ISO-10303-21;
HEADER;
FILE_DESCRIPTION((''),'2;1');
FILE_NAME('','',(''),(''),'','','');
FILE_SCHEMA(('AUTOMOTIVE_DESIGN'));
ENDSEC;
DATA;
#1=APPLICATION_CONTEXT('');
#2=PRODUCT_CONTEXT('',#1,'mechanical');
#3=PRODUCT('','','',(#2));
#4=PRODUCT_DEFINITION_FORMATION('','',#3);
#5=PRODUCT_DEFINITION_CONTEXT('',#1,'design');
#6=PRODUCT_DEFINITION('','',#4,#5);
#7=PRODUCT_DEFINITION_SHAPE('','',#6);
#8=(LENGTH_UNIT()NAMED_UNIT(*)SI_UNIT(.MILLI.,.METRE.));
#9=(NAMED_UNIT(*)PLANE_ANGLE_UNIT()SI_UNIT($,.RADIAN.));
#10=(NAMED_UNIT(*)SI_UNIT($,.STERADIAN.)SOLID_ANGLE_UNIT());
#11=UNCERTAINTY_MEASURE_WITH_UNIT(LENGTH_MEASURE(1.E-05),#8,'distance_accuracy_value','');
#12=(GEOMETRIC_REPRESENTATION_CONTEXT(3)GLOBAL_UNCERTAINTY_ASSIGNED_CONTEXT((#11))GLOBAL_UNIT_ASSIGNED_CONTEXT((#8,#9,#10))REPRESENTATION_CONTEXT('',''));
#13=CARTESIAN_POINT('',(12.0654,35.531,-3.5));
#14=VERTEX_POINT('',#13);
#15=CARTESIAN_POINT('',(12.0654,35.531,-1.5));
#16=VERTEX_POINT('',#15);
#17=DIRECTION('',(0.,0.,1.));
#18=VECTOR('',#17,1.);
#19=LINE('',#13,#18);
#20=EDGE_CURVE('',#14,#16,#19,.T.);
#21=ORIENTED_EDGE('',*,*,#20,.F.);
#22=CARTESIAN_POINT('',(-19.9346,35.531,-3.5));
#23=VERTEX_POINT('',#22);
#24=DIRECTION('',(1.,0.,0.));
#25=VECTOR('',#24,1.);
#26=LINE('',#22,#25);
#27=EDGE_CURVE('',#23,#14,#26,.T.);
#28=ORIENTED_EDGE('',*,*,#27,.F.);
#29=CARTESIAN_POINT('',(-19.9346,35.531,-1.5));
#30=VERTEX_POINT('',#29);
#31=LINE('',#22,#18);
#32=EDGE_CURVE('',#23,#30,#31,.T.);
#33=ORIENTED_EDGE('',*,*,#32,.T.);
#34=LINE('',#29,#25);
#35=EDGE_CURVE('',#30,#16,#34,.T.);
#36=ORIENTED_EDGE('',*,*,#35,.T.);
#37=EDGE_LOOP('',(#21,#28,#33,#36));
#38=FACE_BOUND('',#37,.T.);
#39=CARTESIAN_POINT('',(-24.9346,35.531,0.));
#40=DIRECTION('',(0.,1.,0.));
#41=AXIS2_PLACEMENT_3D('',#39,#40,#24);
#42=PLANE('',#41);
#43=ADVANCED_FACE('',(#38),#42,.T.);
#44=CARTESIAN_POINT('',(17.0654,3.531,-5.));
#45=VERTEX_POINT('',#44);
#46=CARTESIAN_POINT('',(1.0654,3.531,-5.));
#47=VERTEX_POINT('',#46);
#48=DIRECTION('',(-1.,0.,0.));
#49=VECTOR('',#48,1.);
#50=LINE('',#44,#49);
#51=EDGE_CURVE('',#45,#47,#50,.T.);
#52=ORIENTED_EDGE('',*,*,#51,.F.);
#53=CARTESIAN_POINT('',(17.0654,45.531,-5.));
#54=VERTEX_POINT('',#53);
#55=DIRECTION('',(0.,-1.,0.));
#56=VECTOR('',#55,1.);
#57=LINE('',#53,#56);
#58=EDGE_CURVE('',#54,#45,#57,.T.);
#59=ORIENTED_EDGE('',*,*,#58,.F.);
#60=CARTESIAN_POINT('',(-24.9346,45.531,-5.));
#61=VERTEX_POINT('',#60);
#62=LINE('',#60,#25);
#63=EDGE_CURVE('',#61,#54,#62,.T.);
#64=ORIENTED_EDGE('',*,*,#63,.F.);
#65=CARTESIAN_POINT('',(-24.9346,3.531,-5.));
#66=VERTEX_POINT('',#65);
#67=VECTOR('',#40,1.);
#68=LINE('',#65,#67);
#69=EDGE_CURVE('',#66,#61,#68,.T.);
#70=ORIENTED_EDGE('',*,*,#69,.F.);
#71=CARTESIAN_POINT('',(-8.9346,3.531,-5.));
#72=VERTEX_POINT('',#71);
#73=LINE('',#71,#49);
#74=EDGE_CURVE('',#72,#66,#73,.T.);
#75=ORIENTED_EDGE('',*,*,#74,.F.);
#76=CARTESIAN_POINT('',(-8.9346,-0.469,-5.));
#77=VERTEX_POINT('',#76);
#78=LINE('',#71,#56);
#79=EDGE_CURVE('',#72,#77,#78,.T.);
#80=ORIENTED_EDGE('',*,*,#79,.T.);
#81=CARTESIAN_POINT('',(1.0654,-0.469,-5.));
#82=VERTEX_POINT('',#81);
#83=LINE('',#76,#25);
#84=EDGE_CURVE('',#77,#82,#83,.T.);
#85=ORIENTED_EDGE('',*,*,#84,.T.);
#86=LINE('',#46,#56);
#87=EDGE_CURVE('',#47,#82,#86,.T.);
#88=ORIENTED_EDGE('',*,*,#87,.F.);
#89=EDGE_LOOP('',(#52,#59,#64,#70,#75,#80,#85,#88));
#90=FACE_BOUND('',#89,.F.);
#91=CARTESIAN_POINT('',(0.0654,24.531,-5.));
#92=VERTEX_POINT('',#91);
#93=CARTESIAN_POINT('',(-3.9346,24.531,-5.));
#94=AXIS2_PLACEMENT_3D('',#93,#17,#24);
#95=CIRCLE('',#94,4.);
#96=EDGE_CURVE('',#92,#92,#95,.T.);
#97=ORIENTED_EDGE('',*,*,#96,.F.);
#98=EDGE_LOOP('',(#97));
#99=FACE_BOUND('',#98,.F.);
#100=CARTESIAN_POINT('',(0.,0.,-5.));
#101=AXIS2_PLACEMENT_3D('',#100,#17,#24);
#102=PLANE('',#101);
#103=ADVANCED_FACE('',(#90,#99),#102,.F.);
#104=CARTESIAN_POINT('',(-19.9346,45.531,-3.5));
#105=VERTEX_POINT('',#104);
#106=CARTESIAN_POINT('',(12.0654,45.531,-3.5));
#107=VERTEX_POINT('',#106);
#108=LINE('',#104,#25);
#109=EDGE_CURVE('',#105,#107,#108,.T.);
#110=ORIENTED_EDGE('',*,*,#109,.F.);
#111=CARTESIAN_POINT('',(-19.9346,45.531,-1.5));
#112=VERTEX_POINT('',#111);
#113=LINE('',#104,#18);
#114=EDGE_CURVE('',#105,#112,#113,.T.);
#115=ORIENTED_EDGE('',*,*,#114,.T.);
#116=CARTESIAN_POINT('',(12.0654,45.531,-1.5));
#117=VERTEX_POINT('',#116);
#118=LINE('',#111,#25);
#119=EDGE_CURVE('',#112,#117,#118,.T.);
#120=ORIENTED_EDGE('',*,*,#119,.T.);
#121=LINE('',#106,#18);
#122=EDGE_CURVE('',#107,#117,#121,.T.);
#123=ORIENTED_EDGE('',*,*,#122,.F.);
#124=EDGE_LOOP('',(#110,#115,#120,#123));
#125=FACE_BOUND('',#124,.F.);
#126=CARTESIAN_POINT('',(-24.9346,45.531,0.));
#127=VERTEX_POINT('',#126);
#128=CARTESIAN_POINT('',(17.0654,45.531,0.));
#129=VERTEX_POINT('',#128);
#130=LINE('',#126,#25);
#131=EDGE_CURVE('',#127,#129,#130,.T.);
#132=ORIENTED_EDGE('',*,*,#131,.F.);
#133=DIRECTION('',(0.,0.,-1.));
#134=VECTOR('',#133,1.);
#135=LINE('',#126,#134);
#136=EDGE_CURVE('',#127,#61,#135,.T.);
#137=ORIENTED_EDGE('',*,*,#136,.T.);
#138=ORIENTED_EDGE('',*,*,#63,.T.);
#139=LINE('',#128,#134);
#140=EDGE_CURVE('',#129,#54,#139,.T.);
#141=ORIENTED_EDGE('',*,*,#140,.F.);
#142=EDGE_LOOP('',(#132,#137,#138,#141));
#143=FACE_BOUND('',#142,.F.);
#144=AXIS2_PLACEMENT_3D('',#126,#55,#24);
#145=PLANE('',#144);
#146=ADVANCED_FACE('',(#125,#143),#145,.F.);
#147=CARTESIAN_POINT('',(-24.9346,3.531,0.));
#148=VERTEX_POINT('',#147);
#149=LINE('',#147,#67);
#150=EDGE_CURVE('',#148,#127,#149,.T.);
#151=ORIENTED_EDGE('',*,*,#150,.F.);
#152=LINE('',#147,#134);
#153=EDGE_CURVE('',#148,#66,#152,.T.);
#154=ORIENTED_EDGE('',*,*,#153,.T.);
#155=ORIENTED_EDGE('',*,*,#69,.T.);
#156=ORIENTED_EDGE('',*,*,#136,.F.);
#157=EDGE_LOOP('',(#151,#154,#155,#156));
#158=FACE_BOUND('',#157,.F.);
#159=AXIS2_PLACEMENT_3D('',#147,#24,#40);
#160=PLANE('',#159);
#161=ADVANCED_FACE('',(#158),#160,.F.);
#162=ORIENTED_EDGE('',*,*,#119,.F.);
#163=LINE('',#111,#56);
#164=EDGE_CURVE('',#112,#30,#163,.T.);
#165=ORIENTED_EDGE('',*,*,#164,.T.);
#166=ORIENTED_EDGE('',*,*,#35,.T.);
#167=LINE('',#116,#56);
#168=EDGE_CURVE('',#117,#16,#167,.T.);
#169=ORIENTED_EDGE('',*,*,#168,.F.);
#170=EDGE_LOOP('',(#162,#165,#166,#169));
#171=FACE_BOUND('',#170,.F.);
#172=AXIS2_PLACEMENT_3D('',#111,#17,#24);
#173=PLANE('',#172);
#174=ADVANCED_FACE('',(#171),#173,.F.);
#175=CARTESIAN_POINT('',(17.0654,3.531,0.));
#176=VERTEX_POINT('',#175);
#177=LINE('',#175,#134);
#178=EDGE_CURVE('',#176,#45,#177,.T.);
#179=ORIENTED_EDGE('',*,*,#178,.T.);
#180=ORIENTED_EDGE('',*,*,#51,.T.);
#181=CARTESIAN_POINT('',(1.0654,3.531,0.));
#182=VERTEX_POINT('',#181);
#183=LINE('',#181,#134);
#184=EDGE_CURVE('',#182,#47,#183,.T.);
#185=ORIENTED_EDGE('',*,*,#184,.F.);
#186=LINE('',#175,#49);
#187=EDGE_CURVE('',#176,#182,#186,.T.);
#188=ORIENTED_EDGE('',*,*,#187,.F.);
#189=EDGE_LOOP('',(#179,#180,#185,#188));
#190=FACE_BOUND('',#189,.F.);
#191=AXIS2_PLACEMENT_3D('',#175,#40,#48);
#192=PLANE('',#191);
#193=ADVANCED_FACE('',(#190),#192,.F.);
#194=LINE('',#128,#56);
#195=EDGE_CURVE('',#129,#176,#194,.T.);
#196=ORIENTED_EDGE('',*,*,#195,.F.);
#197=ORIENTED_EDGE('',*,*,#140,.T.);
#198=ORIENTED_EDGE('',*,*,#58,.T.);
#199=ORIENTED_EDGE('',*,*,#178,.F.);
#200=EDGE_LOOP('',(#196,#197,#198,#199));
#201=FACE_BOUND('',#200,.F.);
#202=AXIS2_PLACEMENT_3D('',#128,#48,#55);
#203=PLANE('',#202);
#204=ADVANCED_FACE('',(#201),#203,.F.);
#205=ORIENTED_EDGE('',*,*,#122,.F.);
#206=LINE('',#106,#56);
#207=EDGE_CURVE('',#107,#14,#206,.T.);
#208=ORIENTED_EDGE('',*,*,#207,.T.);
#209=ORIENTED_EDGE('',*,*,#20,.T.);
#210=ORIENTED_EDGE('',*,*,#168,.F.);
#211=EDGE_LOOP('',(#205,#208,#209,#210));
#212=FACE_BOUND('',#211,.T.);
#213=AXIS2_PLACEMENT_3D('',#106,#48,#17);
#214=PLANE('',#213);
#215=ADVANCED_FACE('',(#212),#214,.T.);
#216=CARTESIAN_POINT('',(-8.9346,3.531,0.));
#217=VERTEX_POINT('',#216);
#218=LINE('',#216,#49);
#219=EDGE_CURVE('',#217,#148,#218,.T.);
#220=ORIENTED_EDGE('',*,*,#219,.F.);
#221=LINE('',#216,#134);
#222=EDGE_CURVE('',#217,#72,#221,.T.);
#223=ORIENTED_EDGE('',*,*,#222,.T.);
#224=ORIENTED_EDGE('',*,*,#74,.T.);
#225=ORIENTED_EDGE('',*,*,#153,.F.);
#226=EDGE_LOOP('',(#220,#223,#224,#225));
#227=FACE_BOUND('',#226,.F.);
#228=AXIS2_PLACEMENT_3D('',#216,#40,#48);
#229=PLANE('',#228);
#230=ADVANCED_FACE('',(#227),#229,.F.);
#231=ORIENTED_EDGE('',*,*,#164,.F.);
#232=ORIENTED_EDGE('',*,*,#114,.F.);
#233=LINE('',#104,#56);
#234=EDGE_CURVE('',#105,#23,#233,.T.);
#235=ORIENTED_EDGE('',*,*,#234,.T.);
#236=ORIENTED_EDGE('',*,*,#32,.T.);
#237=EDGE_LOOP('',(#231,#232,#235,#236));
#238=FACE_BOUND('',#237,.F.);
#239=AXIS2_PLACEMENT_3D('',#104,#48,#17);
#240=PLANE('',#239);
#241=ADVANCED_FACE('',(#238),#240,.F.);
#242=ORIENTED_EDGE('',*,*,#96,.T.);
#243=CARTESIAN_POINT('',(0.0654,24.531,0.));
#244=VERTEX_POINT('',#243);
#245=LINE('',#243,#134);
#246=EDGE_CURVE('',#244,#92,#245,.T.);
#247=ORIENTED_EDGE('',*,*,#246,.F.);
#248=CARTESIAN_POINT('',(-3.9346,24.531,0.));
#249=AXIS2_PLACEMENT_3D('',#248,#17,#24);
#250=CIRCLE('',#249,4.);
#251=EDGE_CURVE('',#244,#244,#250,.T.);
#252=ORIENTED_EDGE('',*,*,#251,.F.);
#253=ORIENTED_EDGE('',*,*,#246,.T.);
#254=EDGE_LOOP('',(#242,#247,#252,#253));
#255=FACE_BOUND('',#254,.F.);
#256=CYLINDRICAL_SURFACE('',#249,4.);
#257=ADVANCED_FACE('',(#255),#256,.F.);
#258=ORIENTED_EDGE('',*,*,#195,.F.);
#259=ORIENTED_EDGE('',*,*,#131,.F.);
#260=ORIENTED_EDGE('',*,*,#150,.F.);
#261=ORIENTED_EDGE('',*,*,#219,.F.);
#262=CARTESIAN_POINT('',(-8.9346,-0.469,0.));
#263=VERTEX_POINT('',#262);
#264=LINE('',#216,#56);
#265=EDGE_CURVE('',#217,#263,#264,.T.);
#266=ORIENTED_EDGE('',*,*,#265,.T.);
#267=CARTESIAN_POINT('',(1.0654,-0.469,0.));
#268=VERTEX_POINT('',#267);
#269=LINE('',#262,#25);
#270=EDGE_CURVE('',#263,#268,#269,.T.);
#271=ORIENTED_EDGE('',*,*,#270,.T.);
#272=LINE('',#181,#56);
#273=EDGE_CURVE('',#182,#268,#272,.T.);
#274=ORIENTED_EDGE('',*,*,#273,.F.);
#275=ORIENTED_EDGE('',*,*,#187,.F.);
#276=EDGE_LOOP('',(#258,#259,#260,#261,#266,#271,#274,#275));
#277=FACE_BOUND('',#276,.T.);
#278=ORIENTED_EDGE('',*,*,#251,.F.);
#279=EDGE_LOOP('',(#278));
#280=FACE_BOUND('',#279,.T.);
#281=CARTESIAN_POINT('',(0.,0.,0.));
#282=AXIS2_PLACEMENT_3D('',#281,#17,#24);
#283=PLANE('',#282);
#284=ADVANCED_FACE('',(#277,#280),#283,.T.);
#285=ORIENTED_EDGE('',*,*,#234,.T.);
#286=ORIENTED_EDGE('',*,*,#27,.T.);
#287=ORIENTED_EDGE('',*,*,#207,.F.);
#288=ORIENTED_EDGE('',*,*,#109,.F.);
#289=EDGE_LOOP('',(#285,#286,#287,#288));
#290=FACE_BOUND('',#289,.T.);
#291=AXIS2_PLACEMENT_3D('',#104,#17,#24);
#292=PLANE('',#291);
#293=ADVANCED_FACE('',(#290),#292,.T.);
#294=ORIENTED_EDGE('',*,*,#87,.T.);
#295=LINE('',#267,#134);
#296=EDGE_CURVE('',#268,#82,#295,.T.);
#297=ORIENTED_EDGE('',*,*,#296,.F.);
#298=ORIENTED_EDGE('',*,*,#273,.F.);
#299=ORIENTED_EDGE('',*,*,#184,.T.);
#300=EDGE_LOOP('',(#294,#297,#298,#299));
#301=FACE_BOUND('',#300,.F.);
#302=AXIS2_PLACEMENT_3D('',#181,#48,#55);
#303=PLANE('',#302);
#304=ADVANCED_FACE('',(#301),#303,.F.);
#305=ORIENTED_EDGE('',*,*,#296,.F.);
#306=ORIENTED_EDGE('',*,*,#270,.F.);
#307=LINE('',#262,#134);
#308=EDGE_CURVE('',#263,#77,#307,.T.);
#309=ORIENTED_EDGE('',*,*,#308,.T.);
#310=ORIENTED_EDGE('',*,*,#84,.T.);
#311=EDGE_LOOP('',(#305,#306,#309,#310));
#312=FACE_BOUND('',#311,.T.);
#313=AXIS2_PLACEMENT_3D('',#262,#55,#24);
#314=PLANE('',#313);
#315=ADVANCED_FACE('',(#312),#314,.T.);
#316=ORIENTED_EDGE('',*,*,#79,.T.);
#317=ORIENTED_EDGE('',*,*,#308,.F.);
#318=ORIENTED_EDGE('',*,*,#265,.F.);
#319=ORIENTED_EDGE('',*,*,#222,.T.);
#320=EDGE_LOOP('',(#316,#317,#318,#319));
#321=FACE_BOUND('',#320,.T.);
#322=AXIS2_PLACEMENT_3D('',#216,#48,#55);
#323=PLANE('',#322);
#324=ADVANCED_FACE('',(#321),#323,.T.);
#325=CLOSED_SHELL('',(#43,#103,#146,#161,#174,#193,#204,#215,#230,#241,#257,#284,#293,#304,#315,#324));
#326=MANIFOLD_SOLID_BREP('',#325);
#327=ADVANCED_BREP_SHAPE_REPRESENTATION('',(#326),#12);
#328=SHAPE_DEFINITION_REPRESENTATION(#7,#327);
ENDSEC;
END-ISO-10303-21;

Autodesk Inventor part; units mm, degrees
ref_plane "YZ Plane" through (0, 0, 0) normal (1, 0, 0) x (0, 1, 0)
ref_plane "XZ Plane" through (0, 0, 0) normal (0, 1, 0) x (-1, 0, 0)
ref_plane "XY Plane" through (0, 0, 0) normal (0, 0, 1) x (1, 0, 0)
sketch "Sketch1" plane through (0, 0, 0) normal (0, 0, 1) x (1, 0, 0)
  line L0 (-8.9346, 3.531) -> (-24.9346, 3.531)
  line L1 (-24.9346, 3.531) -> (-24.9346, 45.531)
  line L2 (-24.9346, 45.531) -> (17.0654, 45.531)
  line L3 (17.0654, 45.531) -> (17.0654, 3.531)
  line L4 (17.0654, 3.531) -> (1.0654, 3.531)
  line L5 (-8.9346, -0.469) -> (1.0654, -0.469)
  line L6 (-8.9346, 3.531) -> (-8.9346, -0.469)
  line L7 (1.0654, 3.531) -> (1.0654, -0.469)
  circle A0 centre (-3.9346, 24.531) radius 4
  point P0 (0, 0)
extrude "Extrusion4" add sketch "Sketch1" against normal blind 5
sketch "Sketch3" plane through (-24.9346, 45.531, 0) normal (0, 1, 0) x (1, 0, 0)
  line L0 (0, 0) -> (0, 5) projected
  line L1 (16, 5) -> (0, 5) projected
  line L2 (5, 3.5) -> (5, 1.5)
  line L3 (0, 0) -> (16, 0) projected
  line L4 (5, 3.5) -> (37, 3.5)
  line L5 (5, 1.5) -> (37, 1.5)
  line L6 (37, 3.5) -> (37, 1.5)
  point P0 (24.9346, 0)
extrude "Extrusion6" cut sketch "Sketch3" against normal blind 10
properties part number "suport cu rulment pentru tija" material "Gold"
